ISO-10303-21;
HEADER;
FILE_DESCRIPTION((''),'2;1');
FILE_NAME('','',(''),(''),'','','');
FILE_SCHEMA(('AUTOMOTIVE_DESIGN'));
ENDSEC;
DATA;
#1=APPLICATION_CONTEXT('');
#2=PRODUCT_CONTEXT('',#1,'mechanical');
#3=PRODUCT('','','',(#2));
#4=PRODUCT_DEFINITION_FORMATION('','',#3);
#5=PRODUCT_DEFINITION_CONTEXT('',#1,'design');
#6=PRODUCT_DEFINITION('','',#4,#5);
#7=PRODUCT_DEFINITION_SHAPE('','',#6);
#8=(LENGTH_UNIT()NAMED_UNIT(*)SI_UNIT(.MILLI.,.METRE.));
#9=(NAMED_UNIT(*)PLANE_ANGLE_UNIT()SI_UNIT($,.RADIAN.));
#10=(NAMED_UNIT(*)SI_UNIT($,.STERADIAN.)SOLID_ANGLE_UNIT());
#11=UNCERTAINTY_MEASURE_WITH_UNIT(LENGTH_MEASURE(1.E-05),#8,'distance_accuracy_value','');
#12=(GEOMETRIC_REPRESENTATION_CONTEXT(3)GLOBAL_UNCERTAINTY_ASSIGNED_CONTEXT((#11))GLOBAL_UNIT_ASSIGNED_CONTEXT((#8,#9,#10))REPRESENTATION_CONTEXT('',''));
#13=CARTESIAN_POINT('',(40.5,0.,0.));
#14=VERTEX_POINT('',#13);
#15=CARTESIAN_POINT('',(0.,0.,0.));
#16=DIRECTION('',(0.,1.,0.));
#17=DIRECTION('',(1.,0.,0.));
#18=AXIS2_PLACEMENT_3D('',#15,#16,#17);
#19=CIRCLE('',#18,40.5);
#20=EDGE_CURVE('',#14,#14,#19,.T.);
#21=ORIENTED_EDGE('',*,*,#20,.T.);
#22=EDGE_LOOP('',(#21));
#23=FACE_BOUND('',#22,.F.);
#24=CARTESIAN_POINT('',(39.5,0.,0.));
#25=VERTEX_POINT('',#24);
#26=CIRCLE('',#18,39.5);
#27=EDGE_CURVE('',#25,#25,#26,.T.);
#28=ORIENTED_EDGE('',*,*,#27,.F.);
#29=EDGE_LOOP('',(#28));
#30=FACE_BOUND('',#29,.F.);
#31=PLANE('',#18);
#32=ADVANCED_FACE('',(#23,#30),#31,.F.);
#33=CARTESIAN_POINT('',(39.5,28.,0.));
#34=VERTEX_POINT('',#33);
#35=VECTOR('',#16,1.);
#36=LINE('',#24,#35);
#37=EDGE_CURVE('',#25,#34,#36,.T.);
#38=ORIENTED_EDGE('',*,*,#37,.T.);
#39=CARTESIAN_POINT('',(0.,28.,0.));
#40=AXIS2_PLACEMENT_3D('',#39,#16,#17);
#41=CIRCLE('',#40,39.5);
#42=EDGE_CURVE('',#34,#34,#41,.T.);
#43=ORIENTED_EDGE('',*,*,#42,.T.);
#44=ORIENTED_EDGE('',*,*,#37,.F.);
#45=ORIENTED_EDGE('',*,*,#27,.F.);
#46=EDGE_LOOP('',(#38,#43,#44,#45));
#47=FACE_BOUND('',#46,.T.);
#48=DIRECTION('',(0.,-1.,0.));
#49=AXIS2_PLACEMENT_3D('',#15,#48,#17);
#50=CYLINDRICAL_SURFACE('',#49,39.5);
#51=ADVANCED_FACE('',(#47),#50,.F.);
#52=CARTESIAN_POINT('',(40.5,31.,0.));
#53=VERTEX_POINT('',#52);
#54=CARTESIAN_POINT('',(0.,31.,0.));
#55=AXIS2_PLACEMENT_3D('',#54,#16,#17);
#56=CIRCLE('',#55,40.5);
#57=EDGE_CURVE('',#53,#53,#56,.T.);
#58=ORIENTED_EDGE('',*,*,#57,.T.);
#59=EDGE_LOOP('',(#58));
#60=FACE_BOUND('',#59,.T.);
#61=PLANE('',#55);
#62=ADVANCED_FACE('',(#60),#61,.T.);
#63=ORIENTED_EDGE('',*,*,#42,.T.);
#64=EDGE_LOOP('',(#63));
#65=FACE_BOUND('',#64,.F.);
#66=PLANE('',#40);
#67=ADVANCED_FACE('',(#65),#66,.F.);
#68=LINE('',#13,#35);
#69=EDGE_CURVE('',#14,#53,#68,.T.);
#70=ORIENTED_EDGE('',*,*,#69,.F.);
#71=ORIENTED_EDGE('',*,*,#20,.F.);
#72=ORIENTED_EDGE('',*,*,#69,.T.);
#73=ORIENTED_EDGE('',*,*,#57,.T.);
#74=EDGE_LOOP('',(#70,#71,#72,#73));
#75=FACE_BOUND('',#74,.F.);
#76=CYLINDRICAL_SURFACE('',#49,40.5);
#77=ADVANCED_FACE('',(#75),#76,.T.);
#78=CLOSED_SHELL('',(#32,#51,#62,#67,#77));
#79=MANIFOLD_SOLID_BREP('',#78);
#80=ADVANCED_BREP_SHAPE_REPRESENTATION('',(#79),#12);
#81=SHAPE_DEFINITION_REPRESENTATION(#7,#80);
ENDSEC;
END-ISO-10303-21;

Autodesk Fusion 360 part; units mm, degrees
sketch "Sketch1" plane through (0, 0, 0) normal (0, 1, 0) x (1, 0, 0)
  circle A0 centre (0, 0) radius 40.5
  dimension "d1" = 81
extrude "Extrude1" add sketch "Sketch1" along normal blind 31
sketch "Sketch2" plane through (0, 0, 0) normal (0, 1, 0) x (1, 0, 0)
  circle A0 centre (0, 0) radius 39.5
  dimension "d4" = 79
extrude "Extrude2" cut sketch "Sketch2" along normal blind 28
